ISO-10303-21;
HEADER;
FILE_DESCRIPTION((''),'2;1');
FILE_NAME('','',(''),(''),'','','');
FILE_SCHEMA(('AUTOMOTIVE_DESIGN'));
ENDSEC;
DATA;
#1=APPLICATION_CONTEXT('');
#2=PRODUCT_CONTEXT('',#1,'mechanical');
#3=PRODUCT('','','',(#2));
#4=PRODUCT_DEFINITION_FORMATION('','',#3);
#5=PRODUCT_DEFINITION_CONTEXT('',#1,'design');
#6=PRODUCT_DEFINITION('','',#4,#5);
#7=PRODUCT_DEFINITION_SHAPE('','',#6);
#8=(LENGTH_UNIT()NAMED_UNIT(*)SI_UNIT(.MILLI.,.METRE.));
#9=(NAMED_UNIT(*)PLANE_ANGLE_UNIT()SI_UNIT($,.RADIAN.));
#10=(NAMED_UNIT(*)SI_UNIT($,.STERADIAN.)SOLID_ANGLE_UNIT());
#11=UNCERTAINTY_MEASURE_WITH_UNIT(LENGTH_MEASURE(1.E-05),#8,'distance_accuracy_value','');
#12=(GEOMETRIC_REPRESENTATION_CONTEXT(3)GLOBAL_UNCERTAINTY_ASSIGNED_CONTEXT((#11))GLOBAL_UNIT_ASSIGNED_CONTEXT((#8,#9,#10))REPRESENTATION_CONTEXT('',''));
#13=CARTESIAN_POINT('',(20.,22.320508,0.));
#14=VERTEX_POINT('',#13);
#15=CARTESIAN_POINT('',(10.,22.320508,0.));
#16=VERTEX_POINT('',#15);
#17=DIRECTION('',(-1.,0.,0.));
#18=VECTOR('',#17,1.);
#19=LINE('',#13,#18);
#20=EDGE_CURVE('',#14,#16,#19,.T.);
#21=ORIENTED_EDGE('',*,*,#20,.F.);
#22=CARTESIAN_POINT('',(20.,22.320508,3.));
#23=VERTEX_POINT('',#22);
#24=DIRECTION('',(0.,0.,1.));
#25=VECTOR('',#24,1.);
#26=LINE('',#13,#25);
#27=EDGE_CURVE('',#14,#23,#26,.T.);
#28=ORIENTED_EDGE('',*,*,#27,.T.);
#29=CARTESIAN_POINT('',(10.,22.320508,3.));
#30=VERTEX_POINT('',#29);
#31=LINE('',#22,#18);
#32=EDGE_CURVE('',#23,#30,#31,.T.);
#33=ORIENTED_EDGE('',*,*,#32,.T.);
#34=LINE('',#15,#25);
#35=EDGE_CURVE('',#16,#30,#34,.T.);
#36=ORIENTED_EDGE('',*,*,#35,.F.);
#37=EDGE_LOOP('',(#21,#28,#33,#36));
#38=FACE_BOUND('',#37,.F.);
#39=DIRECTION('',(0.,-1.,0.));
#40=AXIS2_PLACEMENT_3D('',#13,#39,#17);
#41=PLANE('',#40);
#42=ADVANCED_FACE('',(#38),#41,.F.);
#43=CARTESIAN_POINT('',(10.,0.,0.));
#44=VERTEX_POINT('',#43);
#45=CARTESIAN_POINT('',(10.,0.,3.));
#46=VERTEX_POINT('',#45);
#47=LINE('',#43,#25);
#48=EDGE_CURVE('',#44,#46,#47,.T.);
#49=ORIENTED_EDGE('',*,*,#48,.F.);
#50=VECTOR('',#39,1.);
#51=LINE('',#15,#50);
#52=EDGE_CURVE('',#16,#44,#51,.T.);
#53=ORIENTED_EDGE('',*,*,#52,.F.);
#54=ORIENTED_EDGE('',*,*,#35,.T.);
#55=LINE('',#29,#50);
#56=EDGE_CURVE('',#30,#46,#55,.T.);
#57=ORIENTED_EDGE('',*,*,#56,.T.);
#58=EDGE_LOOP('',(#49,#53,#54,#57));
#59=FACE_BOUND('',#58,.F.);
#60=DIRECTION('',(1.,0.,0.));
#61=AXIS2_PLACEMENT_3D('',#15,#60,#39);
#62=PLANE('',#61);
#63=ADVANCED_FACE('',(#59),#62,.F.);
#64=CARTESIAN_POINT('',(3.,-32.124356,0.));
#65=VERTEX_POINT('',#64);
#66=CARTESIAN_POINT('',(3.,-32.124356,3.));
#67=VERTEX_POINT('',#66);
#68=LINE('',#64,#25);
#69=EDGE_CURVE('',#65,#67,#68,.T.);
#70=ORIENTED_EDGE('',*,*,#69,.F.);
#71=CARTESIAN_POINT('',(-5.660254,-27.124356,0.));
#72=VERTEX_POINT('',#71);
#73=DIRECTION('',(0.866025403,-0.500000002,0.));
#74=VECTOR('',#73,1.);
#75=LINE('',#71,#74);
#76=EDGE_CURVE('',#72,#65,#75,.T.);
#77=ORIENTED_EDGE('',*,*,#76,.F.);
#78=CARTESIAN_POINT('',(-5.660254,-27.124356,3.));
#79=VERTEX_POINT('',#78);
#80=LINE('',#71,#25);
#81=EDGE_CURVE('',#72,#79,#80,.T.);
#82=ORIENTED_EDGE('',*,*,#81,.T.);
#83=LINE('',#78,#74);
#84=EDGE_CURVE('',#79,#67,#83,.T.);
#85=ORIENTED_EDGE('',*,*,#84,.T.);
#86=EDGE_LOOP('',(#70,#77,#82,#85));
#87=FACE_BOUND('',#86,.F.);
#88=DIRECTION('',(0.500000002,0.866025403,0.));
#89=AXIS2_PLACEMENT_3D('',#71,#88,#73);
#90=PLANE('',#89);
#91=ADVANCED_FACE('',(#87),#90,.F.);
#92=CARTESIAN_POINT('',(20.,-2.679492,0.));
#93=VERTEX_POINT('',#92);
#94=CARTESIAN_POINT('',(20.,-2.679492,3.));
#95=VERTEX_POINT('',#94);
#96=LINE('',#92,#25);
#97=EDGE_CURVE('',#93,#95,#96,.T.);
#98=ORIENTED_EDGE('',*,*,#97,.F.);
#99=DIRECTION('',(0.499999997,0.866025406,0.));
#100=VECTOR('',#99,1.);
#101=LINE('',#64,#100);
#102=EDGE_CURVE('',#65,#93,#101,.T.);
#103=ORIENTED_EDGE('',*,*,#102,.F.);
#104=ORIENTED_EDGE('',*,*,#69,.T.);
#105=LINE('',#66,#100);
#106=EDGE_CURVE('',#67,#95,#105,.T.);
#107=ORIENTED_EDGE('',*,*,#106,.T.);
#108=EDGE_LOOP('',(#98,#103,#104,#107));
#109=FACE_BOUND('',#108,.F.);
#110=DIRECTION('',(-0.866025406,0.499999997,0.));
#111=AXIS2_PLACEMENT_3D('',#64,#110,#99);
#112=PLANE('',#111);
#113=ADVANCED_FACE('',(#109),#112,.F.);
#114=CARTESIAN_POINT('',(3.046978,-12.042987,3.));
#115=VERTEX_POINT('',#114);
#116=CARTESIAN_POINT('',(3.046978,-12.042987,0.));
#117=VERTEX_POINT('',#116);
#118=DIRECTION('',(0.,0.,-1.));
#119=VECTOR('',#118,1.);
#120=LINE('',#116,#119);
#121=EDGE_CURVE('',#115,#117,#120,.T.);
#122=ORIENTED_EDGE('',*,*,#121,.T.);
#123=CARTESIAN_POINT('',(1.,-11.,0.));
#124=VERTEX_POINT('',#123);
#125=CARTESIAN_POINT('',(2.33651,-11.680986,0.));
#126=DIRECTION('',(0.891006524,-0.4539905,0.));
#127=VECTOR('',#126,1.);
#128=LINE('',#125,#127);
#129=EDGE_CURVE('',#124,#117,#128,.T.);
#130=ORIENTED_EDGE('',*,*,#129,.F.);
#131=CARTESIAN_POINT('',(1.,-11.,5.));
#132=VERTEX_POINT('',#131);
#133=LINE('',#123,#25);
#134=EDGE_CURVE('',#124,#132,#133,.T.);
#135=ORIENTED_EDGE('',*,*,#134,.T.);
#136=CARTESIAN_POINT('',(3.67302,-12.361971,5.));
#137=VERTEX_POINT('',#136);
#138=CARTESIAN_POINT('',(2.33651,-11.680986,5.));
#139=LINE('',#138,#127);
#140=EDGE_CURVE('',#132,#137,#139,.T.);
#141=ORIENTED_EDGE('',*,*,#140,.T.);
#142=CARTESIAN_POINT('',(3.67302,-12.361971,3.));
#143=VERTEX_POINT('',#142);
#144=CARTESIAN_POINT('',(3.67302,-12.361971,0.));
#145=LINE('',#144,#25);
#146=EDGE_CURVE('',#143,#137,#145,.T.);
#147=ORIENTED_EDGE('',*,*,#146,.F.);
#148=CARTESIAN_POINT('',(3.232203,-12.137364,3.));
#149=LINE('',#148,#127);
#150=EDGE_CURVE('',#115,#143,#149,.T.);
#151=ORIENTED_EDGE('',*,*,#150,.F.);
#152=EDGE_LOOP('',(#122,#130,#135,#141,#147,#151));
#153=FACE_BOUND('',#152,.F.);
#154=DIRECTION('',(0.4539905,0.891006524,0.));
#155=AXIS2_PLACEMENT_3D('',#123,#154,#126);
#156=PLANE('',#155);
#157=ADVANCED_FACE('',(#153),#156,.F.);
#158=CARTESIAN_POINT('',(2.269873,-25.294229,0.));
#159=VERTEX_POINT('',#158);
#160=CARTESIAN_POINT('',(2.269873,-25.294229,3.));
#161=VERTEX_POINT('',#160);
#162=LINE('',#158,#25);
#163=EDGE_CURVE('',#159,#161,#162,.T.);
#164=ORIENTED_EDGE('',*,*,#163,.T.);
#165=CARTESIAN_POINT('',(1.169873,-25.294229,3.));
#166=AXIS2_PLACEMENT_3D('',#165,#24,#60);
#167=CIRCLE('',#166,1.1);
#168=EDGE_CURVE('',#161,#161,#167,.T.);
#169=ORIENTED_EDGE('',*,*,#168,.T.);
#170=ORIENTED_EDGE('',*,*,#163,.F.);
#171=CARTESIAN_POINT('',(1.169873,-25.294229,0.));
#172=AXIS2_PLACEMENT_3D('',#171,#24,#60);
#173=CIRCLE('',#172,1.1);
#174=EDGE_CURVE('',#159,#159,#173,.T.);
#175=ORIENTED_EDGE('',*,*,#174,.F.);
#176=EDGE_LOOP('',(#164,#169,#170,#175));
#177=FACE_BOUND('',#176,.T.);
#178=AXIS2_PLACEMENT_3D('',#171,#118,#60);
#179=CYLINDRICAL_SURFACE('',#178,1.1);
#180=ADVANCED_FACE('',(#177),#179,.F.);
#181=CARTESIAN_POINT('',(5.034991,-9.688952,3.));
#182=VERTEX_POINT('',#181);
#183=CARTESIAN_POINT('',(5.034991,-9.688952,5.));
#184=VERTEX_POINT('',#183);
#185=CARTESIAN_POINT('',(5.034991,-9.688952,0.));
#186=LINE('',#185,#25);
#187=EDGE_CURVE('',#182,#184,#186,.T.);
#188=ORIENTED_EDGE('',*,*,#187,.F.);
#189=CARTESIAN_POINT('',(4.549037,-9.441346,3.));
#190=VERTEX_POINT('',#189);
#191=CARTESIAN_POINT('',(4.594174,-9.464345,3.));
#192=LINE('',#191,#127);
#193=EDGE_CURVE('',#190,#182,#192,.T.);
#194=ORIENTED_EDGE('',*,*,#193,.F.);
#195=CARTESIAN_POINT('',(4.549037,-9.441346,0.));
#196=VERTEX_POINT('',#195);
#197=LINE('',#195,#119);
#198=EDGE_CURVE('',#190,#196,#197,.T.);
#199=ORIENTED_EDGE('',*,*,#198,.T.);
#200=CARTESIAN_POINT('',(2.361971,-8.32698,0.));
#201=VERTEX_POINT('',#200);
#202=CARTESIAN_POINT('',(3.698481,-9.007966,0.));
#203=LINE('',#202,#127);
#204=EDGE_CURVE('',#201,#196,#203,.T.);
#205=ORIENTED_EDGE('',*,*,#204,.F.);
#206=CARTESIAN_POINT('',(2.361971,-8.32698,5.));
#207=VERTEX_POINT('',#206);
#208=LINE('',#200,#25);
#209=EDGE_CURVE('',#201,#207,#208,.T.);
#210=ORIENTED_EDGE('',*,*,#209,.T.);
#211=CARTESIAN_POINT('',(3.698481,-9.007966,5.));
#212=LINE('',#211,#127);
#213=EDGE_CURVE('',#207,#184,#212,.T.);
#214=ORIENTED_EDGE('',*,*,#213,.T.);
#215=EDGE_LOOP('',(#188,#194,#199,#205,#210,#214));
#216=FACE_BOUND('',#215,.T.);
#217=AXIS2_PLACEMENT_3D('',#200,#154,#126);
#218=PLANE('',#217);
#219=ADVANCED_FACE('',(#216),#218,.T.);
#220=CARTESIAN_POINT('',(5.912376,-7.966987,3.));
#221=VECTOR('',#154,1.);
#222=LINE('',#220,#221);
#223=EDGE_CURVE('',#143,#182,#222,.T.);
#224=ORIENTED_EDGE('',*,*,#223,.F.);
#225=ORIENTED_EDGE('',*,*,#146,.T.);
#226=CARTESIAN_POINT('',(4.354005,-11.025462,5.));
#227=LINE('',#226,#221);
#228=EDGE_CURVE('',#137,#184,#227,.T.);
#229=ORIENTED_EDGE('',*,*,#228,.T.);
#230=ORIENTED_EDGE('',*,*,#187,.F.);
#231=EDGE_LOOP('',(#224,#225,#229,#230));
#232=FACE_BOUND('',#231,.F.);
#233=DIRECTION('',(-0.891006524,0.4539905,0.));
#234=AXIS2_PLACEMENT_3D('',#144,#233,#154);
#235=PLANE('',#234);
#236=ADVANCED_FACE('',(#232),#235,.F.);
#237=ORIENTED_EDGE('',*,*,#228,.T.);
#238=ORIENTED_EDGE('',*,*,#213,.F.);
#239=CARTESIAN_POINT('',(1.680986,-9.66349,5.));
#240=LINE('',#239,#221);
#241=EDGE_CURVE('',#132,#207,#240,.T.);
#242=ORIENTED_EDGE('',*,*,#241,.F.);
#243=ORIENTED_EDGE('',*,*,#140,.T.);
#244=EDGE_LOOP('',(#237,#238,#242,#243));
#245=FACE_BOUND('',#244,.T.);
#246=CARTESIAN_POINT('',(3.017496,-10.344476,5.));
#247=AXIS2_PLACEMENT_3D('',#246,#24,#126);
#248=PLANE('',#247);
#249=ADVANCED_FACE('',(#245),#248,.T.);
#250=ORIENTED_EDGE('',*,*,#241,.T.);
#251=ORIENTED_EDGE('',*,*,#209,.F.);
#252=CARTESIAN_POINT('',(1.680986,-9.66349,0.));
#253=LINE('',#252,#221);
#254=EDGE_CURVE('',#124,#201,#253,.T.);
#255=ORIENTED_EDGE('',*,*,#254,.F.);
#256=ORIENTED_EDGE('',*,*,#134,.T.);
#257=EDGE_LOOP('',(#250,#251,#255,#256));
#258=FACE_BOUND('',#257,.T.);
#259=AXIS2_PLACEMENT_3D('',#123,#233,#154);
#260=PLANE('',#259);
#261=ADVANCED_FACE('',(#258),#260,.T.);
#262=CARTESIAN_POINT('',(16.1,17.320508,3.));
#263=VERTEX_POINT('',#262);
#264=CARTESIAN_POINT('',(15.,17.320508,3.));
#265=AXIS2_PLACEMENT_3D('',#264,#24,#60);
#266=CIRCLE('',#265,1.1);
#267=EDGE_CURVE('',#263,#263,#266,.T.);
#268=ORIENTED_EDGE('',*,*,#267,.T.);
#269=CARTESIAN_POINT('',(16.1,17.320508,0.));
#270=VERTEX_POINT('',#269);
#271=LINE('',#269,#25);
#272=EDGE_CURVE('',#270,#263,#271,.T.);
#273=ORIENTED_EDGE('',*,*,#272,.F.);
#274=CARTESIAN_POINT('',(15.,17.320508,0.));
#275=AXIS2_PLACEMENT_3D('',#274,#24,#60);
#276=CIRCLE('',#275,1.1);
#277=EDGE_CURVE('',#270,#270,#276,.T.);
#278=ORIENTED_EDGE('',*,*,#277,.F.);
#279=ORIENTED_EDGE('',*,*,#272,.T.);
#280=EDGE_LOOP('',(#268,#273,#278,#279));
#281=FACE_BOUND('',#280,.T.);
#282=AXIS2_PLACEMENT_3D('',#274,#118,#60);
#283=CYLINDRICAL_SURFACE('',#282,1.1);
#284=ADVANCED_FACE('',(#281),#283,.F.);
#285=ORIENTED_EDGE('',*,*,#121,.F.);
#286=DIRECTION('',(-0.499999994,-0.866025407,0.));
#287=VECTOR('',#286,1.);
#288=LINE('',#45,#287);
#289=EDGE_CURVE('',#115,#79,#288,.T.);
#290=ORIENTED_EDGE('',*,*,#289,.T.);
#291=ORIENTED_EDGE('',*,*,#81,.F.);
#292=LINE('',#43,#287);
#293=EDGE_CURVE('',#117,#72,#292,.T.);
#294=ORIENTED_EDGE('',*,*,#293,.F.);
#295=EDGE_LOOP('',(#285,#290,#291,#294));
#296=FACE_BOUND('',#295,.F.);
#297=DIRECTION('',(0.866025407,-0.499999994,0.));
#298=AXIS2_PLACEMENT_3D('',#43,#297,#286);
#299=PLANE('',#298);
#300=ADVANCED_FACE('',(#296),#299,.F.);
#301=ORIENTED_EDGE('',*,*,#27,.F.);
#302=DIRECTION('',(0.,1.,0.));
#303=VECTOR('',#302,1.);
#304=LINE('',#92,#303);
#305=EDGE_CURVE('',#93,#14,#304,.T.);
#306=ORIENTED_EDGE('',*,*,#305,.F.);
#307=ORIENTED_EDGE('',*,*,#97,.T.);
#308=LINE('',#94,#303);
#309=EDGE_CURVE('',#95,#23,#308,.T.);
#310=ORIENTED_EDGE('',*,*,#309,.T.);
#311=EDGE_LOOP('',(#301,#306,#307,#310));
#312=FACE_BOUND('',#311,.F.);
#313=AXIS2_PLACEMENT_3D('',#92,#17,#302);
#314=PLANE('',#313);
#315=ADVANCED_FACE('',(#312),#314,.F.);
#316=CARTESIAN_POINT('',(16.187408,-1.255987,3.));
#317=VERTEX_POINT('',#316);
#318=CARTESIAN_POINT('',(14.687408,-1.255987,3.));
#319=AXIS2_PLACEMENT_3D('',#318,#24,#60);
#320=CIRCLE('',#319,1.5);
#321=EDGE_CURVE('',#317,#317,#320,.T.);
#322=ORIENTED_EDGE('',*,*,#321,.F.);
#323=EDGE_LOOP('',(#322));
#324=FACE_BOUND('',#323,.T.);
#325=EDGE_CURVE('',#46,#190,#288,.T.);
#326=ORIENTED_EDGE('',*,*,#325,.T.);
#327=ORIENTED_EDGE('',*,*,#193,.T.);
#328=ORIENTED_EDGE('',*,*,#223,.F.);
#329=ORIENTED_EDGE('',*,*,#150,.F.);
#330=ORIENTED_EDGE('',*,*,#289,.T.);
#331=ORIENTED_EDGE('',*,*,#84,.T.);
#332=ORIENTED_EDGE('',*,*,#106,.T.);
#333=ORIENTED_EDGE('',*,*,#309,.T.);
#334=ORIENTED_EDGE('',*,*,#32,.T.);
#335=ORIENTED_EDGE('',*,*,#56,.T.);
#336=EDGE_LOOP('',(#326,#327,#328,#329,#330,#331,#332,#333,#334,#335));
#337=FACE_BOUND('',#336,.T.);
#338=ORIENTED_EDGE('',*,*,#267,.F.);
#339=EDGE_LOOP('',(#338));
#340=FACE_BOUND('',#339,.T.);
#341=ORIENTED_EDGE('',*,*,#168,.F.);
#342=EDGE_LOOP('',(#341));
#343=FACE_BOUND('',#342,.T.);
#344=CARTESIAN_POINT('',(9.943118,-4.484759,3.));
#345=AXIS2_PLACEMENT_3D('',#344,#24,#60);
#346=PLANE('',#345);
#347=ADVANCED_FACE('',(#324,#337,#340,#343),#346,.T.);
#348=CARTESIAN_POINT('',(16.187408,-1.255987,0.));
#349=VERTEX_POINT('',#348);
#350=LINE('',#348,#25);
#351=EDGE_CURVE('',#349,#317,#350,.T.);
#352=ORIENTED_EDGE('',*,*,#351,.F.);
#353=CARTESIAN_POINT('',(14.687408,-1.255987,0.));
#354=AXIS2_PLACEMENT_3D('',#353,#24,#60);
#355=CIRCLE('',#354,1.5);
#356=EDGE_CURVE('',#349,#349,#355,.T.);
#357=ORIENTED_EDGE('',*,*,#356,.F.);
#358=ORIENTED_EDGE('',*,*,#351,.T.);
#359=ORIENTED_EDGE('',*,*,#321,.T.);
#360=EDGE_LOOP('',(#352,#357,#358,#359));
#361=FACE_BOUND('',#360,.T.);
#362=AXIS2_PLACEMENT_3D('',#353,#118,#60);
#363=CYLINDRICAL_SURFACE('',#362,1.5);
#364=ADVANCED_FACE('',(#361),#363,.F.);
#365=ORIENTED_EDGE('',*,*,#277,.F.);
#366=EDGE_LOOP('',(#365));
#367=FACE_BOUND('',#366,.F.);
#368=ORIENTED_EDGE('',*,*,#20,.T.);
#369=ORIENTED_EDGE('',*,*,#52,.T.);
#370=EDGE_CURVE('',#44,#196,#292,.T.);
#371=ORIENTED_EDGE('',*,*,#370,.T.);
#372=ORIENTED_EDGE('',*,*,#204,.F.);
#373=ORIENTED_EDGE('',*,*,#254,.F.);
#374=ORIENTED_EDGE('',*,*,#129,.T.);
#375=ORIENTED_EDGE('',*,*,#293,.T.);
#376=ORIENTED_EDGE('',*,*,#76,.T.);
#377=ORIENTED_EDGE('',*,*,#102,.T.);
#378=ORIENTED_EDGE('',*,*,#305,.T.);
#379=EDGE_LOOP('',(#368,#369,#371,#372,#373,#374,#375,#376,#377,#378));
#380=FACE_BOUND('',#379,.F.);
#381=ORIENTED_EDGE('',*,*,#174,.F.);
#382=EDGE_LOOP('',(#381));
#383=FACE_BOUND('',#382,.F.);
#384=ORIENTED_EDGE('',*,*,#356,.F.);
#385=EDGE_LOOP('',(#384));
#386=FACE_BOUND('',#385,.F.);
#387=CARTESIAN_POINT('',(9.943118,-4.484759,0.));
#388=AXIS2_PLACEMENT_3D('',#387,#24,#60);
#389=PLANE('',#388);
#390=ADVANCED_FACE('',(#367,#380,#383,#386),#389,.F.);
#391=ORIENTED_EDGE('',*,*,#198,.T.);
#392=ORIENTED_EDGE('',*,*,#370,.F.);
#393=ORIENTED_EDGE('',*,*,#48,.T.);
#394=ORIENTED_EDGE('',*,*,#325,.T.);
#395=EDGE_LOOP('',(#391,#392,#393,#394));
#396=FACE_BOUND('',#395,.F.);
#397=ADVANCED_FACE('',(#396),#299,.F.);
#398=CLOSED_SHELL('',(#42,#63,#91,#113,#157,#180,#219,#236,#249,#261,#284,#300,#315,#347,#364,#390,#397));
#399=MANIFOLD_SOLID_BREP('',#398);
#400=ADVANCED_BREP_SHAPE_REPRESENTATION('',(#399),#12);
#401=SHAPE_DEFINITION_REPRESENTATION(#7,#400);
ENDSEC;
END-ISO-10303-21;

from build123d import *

# Parameters (mm, degrees)
SKETCH_R            = 1.1
SKETCH_R_2          = 1.5
PAD_DEPTH           = 3
BOX_W               = 3
BOX_H               = 3
BOX_DEPTH           = 5
BOX_PLACEMENT_ANGLE = 27


with BuildPart() as body:
    # Sketch → Pad (new body)
    with BuildSketch(Plane.XY):
        Polygon((-5.660254, -27.124356), (3, -32.124356), (20, -2.679492), (20, 22.320508), (10, 22.320508), (10, 0), align=None)
        with Locations((15, 17.320508)):
            Circle(SKETCH_R, mode=Mode.SUBTRACT)
        with Locations((1.169873, -25.294229)):
            Circle(SKETCH_R, mode=Mode.SUBTRACT)
        with Locations((14.687408, -1.255987)):
            Circle(SKETCH_R_2, mode=Mode.SUBTRACT)
    extrude(amount=PAD_DEPTH)


with BuildPart() as fusion:
    # Box → Box (new body)
    with BuildSketch(Plane.XY):
        with Locations((1.5, 1.5)):
            Rectangle(BOX_W, BOX_H)
    extrude(amount=BOX_DEPTH)


with BuildPart() as fusion_1:
    # Box placement: moved
    add(fusion.part.moved(Location((1, -11, 0))).rotate(Axis((1, -11, 0), (0, 0, -1)), BOX_PLACEMENT_ANGLE))

    # Fusion: union Body
    add(body.part)


solid = fusion_1.part
